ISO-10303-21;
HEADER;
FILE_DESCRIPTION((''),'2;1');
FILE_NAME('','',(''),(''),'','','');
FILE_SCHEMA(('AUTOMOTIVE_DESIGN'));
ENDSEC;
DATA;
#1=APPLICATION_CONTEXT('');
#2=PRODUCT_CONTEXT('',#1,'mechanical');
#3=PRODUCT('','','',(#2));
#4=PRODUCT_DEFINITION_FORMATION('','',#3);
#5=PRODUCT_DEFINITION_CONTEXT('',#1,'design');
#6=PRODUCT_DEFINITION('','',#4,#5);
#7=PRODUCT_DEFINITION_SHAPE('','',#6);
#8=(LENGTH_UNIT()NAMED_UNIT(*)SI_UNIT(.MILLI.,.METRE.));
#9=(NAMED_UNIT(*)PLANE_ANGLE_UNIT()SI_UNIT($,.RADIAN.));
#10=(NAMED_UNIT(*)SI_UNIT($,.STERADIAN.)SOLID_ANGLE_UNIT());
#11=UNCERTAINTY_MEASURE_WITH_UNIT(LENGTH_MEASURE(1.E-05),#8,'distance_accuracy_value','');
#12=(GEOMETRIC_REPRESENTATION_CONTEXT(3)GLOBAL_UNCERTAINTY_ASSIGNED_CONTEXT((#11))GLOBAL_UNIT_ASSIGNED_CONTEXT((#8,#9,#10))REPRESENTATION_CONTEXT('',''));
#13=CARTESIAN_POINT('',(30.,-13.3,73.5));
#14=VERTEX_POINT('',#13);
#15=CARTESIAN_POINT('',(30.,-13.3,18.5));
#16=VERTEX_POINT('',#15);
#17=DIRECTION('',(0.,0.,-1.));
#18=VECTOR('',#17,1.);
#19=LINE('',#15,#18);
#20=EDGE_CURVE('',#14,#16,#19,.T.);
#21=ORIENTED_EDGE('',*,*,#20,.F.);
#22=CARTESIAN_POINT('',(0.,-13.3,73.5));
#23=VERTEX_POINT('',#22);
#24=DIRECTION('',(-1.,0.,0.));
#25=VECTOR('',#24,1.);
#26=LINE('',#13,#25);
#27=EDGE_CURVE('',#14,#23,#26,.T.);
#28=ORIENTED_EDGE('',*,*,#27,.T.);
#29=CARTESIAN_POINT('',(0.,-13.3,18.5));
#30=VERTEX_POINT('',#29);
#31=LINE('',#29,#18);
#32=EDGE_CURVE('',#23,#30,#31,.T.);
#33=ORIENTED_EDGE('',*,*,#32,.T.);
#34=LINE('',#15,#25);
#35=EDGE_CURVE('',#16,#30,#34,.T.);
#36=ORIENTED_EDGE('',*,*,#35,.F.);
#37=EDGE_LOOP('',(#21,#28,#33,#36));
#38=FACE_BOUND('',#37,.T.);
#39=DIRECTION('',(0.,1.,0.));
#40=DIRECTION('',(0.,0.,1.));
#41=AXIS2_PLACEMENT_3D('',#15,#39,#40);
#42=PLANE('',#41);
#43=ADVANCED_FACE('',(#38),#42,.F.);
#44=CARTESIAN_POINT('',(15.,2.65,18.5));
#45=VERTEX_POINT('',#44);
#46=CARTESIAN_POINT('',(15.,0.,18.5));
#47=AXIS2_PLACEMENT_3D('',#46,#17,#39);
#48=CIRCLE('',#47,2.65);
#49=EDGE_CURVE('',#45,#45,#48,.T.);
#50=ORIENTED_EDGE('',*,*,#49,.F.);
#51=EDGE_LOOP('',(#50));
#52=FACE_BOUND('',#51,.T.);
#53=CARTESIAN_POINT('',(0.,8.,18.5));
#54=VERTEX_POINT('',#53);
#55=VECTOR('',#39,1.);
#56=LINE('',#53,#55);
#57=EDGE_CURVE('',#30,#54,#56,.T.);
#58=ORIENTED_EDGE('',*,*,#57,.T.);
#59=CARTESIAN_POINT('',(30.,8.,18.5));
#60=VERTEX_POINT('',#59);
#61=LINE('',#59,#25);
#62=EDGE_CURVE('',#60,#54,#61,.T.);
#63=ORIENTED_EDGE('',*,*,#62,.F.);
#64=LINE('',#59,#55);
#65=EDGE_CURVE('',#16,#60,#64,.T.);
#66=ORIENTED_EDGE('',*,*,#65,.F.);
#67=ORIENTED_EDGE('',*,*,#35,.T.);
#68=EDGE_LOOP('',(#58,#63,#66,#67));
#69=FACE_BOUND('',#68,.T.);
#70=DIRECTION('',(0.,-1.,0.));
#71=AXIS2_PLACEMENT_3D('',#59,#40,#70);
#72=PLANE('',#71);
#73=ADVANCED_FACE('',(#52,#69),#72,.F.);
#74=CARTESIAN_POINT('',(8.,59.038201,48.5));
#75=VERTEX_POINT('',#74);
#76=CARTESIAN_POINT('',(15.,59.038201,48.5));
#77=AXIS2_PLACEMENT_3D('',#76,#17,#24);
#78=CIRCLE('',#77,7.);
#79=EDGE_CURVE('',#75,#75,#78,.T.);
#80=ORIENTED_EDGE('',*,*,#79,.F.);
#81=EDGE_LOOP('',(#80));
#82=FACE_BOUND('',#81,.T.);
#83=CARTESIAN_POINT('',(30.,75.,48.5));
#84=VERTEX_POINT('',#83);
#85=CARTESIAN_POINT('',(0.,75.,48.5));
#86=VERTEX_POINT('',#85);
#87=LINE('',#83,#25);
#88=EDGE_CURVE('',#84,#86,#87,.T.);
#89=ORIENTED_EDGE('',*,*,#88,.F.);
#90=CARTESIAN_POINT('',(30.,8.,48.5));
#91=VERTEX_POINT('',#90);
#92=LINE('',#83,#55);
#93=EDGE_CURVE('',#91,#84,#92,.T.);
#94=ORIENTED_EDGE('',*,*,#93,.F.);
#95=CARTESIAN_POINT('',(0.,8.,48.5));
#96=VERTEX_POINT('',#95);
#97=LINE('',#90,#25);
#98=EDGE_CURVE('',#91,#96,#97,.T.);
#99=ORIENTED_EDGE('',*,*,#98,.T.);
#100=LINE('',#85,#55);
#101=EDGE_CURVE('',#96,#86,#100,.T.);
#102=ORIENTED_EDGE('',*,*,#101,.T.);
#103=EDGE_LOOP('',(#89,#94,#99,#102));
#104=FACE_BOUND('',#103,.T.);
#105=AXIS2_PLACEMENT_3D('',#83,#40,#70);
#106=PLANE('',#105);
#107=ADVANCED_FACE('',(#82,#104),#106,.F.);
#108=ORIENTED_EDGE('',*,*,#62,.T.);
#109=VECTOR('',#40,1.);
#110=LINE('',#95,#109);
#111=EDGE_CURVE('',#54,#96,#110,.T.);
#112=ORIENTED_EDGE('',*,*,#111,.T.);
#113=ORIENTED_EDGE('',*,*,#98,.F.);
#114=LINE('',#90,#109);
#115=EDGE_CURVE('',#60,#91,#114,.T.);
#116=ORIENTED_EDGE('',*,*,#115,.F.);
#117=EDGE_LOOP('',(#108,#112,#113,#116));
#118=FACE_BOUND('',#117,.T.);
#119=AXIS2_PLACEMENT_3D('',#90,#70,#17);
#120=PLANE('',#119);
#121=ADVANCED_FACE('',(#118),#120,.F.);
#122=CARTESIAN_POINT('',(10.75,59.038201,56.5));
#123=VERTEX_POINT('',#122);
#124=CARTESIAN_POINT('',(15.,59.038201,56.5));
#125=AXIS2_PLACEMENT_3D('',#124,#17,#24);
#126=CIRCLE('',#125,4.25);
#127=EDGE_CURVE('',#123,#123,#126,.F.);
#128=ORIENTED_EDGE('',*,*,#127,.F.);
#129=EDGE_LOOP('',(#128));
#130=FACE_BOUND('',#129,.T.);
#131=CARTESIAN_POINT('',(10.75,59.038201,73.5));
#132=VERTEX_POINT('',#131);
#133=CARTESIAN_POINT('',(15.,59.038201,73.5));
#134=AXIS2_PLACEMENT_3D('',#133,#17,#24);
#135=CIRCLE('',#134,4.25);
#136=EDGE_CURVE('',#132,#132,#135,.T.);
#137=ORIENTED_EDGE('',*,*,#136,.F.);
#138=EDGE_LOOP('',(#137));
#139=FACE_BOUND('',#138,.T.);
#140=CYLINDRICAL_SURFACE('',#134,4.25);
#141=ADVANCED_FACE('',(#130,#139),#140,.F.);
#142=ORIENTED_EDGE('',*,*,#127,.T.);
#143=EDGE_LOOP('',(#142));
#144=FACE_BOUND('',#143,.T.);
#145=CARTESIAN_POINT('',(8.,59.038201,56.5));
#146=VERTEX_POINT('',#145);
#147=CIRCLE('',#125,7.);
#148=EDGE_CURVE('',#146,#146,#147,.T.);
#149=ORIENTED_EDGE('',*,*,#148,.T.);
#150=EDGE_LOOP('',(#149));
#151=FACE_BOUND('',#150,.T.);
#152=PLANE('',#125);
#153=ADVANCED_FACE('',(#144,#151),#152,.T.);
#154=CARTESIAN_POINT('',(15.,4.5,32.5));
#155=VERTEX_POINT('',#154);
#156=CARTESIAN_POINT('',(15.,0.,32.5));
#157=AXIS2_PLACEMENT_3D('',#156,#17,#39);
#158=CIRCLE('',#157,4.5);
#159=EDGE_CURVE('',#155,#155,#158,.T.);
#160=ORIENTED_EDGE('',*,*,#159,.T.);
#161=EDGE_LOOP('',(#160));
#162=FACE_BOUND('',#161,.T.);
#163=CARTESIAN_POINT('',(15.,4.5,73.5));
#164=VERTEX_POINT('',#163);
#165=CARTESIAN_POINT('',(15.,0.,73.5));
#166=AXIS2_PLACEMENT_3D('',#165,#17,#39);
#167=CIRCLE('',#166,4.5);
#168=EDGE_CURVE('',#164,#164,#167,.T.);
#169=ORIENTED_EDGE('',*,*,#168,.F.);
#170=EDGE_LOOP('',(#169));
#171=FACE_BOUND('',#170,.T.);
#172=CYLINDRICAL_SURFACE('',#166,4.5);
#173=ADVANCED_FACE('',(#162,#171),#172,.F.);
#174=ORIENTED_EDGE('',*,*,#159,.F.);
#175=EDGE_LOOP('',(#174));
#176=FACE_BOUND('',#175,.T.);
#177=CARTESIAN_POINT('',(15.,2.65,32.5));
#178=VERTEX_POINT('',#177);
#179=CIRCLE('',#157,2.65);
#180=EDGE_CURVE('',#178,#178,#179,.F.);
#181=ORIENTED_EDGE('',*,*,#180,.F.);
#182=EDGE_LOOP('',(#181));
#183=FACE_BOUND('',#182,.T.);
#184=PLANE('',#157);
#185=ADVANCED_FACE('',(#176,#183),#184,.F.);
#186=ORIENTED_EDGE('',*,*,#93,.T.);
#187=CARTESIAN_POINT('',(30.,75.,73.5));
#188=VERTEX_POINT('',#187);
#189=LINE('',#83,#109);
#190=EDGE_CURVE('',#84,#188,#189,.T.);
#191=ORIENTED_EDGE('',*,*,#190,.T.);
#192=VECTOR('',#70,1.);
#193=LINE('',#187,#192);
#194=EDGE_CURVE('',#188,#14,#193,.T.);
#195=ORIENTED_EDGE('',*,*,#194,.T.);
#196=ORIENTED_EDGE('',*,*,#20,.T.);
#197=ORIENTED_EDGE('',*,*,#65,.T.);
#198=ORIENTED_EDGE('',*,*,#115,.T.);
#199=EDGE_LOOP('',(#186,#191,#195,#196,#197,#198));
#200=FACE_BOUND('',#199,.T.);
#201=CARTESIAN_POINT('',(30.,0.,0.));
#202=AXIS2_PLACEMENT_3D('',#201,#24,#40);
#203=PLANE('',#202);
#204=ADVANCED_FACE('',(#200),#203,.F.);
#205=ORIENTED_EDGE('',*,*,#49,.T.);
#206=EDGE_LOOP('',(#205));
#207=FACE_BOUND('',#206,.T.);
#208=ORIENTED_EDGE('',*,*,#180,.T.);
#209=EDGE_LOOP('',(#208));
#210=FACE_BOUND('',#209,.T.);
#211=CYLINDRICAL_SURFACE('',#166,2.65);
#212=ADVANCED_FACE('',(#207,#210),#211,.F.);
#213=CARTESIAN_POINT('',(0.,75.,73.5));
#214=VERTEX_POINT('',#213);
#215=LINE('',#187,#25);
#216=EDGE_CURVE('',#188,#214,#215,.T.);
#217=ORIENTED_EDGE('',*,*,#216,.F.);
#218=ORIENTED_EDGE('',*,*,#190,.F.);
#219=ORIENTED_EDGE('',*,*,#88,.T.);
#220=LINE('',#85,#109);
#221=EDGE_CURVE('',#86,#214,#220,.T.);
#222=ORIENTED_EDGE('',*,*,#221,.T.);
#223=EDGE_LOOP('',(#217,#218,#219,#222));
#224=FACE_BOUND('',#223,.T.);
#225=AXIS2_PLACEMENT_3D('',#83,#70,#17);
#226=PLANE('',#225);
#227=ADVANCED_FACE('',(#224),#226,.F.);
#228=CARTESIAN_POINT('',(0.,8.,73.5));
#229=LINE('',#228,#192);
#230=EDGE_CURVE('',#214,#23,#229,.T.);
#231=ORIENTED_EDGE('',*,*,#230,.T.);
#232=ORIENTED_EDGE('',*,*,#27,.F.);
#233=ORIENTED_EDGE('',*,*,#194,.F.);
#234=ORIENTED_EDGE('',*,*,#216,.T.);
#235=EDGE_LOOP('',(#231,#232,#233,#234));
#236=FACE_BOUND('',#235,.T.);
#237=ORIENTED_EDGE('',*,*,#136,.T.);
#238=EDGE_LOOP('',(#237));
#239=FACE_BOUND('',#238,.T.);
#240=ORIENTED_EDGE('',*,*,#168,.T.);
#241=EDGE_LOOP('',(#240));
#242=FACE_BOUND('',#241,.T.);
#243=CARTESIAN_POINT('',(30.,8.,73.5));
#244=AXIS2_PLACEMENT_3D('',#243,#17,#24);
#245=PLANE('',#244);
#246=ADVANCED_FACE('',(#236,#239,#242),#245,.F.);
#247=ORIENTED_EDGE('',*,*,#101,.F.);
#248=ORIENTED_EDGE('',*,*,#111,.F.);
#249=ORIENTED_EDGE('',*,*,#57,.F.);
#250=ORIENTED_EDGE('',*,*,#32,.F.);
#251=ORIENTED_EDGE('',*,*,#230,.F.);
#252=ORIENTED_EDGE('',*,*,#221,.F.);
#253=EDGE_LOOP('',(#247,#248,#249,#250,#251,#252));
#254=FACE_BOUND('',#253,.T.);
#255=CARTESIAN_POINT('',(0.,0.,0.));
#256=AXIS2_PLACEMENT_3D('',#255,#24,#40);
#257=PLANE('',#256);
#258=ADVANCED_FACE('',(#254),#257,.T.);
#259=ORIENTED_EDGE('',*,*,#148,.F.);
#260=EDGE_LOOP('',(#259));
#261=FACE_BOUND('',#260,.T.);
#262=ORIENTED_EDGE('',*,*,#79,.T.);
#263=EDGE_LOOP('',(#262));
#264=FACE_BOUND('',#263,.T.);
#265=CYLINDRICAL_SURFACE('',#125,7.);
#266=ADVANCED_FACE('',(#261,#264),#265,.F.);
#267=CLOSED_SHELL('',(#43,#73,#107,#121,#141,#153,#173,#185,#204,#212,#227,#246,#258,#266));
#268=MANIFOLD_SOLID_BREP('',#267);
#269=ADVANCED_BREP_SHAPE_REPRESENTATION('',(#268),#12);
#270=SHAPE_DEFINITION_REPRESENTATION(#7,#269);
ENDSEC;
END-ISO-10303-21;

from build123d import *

# Parameters (mm, degrees)
EXTRUDE_1_DEPTH     = 30
SKETCH_2_R          = 2.65
CUT_EXTRUDE_1_DEPTH = 56
SKETCH_4_R          = 4.5
CUT_EXTRUDE_3_DEPTH = 42
SKETCH_5_R          = 4.25
CUT_EXTRUDE_4_DEPTH = 26
SKETCH_6_R          = 7
CUT_EXTRUDE_5_DEPTH = 8


with BuildPart() as part:
    # 草图1 → 凸台-拉伸1 (new body)
    with BuildSketch(Plane(origin=(0, 0, 0), x_dir=(0, 0, -1), z_dir=(1, 0, 0))):
        Polygon((-18.5, 8), (-18.5, -13.3), (-73.5, -13.3), (-73.5, 8), (-73.5, 75), (-48.5, 75), (-48.5, 8), align=None)
    extrude(amount=EXTRUDE_1_DEPTH)

    # 草图2 → 切除-拉伸1 (cut, through all)
    with BuildSketch(Plane(origin=(0, 0, 18.5), x_dir=(-1, 0, 0), z_dir=(0, 0, -1))):
        with Locations((-15, 0)):
            Circle(SKETCH_2_R)
    extrude(amount=-CUT_EXTRUDE_1_DEPTH, mode=Mode.SUBTRACT)

    # 草图4 → 切除-拉伸3 (cut, through all)
    with BuildSketch(Plane(origin=(0, 0, 32.5), x_dir=(-1, 0, 0), z_dir=(0, 0, -1))):
        with Locations((-15, 0)):
            Circle(SKETCH_4_R)
    extrude(amount=-CUT_EXTRUDE_3_DEPTH, mode=Mode.SUBTRACT)

    # 草图5 → 切除-拉伸4 (cut, through all)
    with BuildSketch(Plane(origin=(0, 0, 48.5), x_dir=(-1, 0, 0), z_dir=(0, 0, -1))):
        with Locations((-15, 59.038200963)):
            Circle(SKETCH_5_R)
    extrude(amount=-CUT_EXTRUDE_4_DEPTH, mode=Mode.SUBTRACT)

    # 草图6 → 切除-拉伸5 (cut)
    with BuildSketch(Plane(origin=(0, 0, 48.5), x_dir=(-1, 0, 0), z_dir=(0, 0, -1))):
        with Locations((-15, 59.038200963)):
            Circle(SKETCH_6_R)
    extrude(amount=-CUT_EXTRUDE_5_DEPTH, mode=Mode.SUBTRACT)


solid = part.part
